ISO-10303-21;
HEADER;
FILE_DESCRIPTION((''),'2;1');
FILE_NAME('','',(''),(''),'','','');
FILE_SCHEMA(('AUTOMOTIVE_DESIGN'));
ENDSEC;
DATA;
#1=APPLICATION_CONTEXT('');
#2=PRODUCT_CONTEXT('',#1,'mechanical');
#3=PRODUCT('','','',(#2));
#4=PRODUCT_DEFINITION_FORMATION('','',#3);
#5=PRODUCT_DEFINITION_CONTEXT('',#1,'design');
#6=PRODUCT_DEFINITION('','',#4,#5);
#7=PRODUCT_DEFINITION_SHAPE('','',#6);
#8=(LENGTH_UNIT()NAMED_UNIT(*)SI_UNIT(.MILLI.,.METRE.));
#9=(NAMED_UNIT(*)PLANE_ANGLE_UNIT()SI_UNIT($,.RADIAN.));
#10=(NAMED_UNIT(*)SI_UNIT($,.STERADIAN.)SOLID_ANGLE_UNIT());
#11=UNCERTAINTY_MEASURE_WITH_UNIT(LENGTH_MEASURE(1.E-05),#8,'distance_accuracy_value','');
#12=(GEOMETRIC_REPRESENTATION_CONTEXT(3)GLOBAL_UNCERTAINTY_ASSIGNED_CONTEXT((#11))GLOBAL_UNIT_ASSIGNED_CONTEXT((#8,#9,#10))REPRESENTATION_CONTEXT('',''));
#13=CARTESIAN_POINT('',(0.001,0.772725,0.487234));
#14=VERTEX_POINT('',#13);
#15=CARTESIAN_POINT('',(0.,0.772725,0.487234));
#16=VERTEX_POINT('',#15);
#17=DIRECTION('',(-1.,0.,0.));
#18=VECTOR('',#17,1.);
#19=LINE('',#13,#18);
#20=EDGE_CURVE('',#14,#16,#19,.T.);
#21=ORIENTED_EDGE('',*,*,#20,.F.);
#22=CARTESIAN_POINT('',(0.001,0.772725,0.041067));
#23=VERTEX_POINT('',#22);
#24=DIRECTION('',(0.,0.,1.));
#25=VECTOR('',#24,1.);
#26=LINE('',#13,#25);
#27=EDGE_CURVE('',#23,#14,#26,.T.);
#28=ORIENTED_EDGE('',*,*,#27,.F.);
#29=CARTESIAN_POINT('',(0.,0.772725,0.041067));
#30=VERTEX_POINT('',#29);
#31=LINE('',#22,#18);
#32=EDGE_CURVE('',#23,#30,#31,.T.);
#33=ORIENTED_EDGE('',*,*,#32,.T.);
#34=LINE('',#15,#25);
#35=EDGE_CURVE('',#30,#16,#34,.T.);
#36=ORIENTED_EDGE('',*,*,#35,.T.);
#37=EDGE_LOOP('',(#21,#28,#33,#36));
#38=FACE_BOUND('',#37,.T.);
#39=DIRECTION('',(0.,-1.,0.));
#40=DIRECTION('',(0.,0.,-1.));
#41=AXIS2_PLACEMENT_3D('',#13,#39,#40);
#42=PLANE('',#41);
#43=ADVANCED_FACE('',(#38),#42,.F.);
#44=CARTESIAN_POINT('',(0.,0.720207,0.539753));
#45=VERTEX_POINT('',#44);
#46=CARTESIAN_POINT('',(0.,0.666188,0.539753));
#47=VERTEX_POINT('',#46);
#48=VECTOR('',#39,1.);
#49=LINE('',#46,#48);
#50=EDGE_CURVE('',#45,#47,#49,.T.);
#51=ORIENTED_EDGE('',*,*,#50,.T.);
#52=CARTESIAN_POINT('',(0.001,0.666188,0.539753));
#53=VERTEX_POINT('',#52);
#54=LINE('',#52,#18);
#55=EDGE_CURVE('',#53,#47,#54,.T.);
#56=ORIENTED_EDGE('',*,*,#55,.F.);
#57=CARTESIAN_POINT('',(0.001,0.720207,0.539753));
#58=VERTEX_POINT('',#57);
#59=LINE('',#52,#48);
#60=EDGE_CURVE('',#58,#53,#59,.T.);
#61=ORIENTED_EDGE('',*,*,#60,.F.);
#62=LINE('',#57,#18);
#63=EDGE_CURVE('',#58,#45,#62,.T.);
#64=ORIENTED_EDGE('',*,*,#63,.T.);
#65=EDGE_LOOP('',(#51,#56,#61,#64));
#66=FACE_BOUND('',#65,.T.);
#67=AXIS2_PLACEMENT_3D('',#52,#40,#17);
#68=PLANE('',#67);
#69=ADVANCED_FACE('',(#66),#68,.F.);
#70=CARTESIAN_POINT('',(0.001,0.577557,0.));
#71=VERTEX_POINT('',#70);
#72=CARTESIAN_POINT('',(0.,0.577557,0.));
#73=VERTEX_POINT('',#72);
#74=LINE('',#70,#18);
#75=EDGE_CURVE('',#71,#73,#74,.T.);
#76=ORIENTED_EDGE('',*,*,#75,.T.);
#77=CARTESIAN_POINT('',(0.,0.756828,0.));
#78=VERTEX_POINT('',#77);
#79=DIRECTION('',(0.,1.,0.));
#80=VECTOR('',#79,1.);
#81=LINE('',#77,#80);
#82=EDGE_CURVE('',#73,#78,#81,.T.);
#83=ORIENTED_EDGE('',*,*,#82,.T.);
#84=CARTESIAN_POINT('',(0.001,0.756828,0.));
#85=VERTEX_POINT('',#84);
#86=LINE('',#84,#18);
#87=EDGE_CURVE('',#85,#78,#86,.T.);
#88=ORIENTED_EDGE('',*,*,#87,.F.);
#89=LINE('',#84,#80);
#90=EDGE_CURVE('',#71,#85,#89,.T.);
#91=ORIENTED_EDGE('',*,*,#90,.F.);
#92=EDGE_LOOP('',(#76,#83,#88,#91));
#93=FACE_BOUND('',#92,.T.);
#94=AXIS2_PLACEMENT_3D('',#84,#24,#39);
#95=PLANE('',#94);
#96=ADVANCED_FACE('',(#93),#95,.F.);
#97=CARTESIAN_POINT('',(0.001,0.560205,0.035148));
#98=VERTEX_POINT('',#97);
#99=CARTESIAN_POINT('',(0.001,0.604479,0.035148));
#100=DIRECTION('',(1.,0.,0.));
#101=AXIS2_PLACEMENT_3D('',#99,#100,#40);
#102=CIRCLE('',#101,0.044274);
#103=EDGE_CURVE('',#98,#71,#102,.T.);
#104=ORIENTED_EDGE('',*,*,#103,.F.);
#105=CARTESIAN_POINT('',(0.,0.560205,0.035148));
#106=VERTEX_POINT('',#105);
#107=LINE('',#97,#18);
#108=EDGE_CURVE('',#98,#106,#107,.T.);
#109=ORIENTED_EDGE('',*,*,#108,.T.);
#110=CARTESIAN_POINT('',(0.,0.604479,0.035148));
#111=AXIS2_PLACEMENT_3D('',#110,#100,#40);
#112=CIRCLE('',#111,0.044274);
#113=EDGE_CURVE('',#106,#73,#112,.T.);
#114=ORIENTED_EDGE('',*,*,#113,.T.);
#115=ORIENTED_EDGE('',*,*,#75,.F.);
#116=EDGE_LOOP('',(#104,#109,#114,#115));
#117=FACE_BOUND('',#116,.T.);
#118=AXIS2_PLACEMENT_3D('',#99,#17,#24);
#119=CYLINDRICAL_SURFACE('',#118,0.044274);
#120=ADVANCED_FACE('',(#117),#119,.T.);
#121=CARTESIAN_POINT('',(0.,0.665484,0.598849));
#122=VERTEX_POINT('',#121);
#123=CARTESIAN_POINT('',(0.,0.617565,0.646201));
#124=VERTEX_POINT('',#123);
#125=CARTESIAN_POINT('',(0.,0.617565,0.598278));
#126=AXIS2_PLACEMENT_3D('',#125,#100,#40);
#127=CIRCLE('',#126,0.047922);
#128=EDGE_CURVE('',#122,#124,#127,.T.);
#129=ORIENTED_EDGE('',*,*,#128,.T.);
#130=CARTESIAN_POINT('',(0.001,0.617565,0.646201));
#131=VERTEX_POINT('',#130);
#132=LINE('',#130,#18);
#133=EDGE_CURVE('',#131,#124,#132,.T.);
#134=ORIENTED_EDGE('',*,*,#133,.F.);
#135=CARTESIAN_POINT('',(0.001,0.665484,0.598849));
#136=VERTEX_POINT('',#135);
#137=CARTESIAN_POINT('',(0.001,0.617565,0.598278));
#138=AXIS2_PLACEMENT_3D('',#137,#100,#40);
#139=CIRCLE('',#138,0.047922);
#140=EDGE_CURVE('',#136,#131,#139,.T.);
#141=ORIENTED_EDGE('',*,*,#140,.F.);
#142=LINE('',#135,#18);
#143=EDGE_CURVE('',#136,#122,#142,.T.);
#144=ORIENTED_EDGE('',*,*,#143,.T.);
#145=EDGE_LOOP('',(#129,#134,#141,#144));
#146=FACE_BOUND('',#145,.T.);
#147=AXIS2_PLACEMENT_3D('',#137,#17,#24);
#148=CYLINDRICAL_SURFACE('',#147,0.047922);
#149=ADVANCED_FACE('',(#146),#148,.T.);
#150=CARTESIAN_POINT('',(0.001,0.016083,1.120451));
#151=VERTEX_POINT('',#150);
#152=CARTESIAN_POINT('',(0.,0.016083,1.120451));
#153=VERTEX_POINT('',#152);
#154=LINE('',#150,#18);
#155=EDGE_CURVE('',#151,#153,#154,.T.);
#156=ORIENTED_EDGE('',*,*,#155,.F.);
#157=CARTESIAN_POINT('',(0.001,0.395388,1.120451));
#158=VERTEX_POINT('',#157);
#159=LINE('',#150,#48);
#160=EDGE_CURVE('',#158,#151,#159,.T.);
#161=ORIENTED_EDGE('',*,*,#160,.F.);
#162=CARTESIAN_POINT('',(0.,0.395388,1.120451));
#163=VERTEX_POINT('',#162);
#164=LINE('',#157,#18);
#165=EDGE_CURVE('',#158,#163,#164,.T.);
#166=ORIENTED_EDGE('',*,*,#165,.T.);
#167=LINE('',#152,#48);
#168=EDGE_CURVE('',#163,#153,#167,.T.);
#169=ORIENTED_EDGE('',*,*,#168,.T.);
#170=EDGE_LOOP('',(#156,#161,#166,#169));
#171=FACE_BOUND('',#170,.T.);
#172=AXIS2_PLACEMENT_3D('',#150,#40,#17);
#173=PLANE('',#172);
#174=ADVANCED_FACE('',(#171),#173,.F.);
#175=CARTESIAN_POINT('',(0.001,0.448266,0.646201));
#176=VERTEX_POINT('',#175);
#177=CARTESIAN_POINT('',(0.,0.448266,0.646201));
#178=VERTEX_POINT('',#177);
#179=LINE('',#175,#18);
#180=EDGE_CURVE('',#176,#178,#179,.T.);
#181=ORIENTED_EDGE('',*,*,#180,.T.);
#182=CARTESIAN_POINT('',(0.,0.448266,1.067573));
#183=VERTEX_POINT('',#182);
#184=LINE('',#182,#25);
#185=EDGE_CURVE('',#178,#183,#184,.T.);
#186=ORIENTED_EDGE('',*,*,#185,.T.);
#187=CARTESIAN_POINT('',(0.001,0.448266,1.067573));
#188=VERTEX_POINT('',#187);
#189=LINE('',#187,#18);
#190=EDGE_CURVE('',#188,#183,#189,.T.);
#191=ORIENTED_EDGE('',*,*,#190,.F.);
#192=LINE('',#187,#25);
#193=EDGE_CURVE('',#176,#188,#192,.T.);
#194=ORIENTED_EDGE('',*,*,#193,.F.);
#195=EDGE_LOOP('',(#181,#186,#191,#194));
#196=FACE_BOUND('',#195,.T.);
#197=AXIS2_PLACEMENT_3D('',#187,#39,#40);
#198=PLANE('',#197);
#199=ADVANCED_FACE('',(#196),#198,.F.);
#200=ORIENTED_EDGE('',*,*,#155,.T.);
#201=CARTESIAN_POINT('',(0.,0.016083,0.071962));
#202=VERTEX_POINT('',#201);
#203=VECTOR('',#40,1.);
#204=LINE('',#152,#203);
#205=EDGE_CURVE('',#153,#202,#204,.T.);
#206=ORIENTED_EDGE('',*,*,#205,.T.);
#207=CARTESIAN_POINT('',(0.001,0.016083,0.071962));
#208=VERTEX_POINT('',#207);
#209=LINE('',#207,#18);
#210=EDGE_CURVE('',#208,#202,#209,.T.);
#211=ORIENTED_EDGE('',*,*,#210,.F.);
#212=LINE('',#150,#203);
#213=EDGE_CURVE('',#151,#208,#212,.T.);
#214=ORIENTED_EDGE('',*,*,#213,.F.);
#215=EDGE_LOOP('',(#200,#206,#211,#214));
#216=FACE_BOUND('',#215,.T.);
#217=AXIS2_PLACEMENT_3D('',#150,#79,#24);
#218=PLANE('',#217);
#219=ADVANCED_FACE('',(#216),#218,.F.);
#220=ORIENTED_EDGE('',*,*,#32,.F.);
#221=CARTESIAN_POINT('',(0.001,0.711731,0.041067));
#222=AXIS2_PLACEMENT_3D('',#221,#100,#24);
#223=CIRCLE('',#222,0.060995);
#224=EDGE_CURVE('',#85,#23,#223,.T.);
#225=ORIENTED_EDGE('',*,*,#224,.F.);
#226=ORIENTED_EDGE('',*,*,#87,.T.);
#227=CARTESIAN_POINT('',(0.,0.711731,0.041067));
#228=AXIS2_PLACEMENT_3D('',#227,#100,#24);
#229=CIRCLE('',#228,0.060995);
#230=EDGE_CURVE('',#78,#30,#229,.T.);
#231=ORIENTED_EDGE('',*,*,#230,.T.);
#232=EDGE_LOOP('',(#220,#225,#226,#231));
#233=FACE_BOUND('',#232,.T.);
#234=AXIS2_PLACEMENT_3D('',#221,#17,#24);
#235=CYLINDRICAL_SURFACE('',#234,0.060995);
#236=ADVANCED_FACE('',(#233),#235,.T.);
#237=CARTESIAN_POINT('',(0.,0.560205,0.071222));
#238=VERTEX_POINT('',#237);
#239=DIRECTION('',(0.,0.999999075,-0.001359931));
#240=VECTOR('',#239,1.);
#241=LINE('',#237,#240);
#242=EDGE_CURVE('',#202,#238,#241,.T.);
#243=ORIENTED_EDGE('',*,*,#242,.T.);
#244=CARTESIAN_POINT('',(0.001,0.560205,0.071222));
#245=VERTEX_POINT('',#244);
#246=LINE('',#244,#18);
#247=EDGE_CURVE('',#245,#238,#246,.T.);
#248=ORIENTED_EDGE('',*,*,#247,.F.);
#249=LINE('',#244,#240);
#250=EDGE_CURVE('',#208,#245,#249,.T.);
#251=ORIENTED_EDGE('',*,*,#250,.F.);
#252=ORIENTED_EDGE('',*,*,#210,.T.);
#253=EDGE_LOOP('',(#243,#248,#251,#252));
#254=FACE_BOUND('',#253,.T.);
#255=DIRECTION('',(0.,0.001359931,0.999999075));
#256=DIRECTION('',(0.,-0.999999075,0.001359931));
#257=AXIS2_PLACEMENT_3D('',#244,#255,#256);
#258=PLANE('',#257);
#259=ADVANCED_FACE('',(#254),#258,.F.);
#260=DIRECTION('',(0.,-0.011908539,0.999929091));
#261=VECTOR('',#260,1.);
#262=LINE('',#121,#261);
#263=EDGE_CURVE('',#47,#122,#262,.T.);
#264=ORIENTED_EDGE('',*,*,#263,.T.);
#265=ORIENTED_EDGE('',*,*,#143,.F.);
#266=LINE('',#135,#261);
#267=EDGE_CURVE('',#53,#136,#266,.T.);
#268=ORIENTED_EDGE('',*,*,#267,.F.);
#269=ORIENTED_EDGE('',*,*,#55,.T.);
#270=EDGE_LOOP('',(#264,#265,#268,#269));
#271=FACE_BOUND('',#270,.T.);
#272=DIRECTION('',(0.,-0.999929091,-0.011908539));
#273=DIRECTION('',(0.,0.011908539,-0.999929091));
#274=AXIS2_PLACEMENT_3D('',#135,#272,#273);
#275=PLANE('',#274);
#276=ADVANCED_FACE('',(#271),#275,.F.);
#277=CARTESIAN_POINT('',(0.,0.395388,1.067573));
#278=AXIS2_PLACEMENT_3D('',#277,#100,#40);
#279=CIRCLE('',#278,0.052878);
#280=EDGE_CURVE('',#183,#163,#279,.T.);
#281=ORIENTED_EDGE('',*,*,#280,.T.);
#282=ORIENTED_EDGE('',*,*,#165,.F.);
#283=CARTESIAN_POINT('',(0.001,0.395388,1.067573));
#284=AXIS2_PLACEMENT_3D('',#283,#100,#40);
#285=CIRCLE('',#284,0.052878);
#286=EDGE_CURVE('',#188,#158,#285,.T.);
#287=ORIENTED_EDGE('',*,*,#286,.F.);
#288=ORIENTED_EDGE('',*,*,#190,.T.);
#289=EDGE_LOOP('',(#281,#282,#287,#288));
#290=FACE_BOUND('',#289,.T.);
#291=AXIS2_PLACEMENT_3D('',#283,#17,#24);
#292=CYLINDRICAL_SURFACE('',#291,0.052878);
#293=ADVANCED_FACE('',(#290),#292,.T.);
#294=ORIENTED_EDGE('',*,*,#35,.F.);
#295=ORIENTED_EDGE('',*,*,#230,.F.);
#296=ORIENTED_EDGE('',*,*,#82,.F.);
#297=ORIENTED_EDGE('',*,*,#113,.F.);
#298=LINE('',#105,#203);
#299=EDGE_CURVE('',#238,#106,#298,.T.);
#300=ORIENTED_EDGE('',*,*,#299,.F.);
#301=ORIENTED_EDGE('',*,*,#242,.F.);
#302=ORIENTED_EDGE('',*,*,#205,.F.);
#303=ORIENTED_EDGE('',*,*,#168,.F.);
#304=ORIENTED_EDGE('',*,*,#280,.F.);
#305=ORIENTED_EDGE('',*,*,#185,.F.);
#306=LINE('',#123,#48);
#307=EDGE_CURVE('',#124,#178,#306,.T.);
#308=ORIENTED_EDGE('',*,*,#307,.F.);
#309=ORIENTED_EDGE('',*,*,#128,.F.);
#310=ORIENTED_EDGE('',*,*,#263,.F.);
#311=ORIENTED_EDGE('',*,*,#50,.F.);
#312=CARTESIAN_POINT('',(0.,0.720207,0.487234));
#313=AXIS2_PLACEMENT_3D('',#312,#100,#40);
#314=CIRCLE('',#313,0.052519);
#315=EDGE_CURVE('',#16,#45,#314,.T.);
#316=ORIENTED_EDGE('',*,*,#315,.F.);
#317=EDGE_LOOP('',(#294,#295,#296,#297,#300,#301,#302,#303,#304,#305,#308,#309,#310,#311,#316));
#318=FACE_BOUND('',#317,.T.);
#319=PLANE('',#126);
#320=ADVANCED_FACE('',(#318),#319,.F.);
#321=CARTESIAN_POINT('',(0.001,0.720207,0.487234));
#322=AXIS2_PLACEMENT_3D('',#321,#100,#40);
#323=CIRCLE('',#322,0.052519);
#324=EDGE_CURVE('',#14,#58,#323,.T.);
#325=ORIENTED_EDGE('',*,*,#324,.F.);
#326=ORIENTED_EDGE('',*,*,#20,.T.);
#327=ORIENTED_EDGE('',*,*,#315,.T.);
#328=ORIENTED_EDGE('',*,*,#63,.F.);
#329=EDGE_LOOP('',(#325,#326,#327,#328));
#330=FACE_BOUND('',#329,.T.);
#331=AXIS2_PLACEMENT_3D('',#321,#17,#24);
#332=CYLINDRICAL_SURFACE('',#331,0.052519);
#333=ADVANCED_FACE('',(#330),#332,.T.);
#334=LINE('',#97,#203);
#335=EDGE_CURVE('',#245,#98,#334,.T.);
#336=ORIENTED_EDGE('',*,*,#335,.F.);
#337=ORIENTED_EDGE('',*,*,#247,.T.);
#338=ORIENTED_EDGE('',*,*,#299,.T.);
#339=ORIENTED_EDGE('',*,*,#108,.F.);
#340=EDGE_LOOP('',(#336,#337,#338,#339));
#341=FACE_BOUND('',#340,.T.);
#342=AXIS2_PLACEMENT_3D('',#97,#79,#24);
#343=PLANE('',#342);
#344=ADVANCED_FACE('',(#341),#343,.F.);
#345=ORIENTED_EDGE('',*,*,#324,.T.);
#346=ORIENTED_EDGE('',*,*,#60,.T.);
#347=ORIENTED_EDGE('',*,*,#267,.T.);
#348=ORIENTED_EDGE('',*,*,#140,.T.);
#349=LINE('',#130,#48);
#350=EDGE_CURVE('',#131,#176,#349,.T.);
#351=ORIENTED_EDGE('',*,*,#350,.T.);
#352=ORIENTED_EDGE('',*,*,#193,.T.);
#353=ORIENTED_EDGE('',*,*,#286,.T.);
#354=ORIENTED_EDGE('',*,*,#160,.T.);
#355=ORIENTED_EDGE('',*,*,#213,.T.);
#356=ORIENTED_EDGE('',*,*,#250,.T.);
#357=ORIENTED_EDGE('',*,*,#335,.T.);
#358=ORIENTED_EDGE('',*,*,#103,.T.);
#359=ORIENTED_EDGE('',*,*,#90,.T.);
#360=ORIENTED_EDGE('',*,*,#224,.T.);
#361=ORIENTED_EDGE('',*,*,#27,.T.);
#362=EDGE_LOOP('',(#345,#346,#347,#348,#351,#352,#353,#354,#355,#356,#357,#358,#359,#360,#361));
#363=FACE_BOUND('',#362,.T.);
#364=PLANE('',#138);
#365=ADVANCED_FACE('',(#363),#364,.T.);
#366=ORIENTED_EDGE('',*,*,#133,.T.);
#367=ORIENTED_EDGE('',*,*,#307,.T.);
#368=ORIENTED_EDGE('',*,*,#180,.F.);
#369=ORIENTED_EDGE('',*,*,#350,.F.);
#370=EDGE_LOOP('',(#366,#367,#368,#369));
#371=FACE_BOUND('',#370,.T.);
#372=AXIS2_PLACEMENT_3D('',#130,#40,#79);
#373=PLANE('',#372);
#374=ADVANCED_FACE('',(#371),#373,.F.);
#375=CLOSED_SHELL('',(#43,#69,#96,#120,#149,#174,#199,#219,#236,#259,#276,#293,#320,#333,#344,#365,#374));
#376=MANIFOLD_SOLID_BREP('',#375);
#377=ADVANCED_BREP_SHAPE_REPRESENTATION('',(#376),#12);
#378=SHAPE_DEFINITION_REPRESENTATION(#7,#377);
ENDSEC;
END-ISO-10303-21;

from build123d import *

# Parameters (mm, degrees)
ESTRUSIONE_ESTRUSIONE1_DEPTH = 0.001


with BuildPart() as part:
    # Schizzo1 → Estrusione-Estrusione1 (new body)
    with BuildSketch(Plane(origin=(0, 0, 0), x_dir=(0, 0, -1), z_dir=(1, 0, 0))):
        with BuildLine():
            Line((-1.120450557, 0.016083045), (-1.120450557, 0.395388309))
            ThreePointArc((-1.120450557, 0.395388309), (-1.104963, 0.43277858), (-1.067572729, 0.448266137))
            Line((-1.067572729, 0.448266137), (-0.646200691, 0.448266137))
            Line((-0.646200691, 0.448266137), (-0.646200691, 0.61756545))
            ThreePointArc((-0.646200691, 0.61756545), (-0.632365719, 0.651249323), (-0.598848989, 0.665484439))
            Line((-0.598848989, 0.665484439), (-0.539752847, 0.666188238))
            Line((-0.539752847, 0.666188238), (-0.539752847, 0.720206582))
            ThreePointArc((-0.539752847, 0.720206582), (-0.524370528, 0.757342786), (-0.487234324, 0.772725105))
            Line((-0.487234324, 0.772725105), (-0.041067153, 0.772725105))
            ThreePointArc((-0.041067153, 0.772725105), (-0.019048902, 0.768612289), (0, 0.756828487))
            Line((0, 0.756828487), (0, 0.577556624))
            ThreePointArc((0, 0.577556624), (-0.015549033, 0.564779444), (-0.035147663, 0.56020534))
            Line((-0.035147663, 0.56020534), (-0.071222104, 0.56020534))
            Line((-0.071222104, 0.56020534), (-0.071962073, 0.016083045))
            Line((-0.071962073, 0.016083045), (-1.120450557, 0.016083045))
        make_face()
    extrude(amount=ESTRUSIONE_ESTRUSIONE1_DEPTH)


solid = part.part
